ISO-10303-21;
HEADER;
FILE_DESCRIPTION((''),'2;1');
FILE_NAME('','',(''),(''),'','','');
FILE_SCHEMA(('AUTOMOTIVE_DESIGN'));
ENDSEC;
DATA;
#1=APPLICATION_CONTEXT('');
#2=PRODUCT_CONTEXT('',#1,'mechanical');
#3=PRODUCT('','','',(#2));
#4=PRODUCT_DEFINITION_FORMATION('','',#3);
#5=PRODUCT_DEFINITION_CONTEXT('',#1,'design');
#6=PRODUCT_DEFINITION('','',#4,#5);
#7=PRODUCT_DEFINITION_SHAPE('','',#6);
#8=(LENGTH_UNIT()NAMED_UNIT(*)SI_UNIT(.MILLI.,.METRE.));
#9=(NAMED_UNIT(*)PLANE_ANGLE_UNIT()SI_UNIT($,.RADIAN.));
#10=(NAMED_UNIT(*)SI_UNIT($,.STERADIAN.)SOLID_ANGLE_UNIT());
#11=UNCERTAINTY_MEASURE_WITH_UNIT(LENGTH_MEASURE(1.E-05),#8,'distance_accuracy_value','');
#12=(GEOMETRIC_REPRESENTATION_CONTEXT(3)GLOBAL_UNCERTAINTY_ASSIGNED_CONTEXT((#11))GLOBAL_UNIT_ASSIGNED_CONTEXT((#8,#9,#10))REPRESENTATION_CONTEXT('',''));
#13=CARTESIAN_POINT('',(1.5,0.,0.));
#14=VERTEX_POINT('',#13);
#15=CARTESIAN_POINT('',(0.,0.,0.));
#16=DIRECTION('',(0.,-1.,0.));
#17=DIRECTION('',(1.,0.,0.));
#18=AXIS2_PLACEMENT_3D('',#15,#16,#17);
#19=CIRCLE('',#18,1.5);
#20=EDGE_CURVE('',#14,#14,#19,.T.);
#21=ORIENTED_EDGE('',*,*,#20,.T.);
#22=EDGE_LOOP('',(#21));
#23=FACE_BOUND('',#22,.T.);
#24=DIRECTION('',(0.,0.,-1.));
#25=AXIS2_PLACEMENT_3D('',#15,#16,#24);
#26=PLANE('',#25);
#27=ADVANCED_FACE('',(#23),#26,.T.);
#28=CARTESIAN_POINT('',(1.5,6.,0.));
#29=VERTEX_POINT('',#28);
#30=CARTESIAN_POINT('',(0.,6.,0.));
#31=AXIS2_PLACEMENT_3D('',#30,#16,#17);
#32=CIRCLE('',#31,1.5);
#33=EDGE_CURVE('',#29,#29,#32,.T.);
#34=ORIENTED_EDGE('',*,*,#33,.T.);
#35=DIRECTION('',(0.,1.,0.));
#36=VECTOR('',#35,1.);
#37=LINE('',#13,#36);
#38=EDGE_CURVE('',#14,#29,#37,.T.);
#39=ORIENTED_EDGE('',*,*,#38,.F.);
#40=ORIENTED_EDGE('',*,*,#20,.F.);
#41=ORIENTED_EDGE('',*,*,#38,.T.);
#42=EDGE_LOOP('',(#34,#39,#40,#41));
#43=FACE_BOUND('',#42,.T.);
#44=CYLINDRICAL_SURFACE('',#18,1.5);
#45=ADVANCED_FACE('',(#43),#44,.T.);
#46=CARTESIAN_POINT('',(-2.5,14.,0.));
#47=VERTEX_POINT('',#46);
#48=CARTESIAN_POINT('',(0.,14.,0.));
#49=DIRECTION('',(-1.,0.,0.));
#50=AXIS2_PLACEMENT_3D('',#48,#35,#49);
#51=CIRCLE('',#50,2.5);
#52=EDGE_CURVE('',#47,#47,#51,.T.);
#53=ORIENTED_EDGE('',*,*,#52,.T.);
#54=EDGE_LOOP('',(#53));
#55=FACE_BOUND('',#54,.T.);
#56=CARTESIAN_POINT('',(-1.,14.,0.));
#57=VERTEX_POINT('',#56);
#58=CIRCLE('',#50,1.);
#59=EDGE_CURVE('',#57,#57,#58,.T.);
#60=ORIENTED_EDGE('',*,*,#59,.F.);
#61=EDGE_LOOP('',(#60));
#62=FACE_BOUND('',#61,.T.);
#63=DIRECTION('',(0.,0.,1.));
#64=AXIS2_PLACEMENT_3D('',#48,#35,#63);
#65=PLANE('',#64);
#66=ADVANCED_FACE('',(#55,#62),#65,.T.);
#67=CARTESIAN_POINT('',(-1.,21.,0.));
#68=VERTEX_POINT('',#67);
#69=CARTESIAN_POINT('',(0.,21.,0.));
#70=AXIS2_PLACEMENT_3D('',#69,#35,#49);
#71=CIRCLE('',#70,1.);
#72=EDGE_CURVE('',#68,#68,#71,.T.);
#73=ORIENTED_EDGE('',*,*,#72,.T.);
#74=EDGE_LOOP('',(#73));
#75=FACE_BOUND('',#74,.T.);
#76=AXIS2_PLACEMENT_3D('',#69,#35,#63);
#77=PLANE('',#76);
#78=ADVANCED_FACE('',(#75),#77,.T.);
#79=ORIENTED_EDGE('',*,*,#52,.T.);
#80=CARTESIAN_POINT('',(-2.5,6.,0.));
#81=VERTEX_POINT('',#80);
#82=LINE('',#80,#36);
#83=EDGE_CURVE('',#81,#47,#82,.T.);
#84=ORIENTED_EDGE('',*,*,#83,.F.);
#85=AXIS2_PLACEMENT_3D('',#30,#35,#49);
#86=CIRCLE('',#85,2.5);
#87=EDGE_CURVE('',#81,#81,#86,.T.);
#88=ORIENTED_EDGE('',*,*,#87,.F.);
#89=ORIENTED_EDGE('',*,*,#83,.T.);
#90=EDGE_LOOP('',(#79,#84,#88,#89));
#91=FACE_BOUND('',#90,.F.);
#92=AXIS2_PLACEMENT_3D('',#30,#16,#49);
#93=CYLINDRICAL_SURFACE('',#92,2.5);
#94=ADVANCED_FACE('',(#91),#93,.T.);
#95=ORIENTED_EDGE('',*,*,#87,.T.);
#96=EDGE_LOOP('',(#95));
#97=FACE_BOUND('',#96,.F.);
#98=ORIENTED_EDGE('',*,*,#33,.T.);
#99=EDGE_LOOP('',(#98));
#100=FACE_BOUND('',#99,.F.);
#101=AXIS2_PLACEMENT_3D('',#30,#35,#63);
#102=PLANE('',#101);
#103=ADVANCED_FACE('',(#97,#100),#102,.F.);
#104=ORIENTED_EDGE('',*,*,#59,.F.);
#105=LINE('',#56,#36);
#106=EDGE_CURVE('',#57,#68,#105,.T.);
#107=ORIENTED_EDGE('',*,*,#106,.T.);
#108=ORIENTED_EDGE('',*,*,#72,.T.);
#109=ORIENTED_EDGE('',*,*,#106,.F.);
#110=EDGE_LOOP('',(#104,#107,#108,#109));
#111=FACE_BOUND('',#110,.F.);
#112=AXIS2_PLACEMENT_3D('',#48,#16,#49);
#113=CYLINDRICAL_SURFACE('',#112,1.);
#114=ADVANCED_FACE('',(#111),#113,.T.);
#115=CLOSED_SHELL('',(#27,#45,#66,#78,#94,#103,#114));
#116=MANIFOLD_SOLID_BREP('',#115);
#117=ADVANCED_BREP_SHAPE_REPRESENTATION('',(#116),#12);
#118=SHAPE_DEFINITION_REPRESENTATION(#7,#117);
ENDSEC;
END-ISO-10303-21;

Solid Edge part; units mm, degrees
sketch "Sketch1" plane through (0, 0, 0) normal (0, -1, 0) x (1, 0, 0)
  circle A0 centre (0, 0) radius 1.5
extrude "Protrusion1" add sketch "Sketch1" against normal blind 6
sketch "Sketch2" plane through (0, 6, 0) normal (0, 1, 0) x (-1, 0, 0)
  circle A0 centre (0, 0) radius 2.5
extrude "ExtrudedProtrusion_2" add sketch "Sketch2" along normal blind 8
sketch "Sketch3" plane through (0, 14, 0) normal (0, 1, 0) x (-1, 0, 0)
  circle A0 centre (0, 0) radius 1
extrude "ExtrudedProtrusion_3" add sketch "Sketch3" along normal blind 7
